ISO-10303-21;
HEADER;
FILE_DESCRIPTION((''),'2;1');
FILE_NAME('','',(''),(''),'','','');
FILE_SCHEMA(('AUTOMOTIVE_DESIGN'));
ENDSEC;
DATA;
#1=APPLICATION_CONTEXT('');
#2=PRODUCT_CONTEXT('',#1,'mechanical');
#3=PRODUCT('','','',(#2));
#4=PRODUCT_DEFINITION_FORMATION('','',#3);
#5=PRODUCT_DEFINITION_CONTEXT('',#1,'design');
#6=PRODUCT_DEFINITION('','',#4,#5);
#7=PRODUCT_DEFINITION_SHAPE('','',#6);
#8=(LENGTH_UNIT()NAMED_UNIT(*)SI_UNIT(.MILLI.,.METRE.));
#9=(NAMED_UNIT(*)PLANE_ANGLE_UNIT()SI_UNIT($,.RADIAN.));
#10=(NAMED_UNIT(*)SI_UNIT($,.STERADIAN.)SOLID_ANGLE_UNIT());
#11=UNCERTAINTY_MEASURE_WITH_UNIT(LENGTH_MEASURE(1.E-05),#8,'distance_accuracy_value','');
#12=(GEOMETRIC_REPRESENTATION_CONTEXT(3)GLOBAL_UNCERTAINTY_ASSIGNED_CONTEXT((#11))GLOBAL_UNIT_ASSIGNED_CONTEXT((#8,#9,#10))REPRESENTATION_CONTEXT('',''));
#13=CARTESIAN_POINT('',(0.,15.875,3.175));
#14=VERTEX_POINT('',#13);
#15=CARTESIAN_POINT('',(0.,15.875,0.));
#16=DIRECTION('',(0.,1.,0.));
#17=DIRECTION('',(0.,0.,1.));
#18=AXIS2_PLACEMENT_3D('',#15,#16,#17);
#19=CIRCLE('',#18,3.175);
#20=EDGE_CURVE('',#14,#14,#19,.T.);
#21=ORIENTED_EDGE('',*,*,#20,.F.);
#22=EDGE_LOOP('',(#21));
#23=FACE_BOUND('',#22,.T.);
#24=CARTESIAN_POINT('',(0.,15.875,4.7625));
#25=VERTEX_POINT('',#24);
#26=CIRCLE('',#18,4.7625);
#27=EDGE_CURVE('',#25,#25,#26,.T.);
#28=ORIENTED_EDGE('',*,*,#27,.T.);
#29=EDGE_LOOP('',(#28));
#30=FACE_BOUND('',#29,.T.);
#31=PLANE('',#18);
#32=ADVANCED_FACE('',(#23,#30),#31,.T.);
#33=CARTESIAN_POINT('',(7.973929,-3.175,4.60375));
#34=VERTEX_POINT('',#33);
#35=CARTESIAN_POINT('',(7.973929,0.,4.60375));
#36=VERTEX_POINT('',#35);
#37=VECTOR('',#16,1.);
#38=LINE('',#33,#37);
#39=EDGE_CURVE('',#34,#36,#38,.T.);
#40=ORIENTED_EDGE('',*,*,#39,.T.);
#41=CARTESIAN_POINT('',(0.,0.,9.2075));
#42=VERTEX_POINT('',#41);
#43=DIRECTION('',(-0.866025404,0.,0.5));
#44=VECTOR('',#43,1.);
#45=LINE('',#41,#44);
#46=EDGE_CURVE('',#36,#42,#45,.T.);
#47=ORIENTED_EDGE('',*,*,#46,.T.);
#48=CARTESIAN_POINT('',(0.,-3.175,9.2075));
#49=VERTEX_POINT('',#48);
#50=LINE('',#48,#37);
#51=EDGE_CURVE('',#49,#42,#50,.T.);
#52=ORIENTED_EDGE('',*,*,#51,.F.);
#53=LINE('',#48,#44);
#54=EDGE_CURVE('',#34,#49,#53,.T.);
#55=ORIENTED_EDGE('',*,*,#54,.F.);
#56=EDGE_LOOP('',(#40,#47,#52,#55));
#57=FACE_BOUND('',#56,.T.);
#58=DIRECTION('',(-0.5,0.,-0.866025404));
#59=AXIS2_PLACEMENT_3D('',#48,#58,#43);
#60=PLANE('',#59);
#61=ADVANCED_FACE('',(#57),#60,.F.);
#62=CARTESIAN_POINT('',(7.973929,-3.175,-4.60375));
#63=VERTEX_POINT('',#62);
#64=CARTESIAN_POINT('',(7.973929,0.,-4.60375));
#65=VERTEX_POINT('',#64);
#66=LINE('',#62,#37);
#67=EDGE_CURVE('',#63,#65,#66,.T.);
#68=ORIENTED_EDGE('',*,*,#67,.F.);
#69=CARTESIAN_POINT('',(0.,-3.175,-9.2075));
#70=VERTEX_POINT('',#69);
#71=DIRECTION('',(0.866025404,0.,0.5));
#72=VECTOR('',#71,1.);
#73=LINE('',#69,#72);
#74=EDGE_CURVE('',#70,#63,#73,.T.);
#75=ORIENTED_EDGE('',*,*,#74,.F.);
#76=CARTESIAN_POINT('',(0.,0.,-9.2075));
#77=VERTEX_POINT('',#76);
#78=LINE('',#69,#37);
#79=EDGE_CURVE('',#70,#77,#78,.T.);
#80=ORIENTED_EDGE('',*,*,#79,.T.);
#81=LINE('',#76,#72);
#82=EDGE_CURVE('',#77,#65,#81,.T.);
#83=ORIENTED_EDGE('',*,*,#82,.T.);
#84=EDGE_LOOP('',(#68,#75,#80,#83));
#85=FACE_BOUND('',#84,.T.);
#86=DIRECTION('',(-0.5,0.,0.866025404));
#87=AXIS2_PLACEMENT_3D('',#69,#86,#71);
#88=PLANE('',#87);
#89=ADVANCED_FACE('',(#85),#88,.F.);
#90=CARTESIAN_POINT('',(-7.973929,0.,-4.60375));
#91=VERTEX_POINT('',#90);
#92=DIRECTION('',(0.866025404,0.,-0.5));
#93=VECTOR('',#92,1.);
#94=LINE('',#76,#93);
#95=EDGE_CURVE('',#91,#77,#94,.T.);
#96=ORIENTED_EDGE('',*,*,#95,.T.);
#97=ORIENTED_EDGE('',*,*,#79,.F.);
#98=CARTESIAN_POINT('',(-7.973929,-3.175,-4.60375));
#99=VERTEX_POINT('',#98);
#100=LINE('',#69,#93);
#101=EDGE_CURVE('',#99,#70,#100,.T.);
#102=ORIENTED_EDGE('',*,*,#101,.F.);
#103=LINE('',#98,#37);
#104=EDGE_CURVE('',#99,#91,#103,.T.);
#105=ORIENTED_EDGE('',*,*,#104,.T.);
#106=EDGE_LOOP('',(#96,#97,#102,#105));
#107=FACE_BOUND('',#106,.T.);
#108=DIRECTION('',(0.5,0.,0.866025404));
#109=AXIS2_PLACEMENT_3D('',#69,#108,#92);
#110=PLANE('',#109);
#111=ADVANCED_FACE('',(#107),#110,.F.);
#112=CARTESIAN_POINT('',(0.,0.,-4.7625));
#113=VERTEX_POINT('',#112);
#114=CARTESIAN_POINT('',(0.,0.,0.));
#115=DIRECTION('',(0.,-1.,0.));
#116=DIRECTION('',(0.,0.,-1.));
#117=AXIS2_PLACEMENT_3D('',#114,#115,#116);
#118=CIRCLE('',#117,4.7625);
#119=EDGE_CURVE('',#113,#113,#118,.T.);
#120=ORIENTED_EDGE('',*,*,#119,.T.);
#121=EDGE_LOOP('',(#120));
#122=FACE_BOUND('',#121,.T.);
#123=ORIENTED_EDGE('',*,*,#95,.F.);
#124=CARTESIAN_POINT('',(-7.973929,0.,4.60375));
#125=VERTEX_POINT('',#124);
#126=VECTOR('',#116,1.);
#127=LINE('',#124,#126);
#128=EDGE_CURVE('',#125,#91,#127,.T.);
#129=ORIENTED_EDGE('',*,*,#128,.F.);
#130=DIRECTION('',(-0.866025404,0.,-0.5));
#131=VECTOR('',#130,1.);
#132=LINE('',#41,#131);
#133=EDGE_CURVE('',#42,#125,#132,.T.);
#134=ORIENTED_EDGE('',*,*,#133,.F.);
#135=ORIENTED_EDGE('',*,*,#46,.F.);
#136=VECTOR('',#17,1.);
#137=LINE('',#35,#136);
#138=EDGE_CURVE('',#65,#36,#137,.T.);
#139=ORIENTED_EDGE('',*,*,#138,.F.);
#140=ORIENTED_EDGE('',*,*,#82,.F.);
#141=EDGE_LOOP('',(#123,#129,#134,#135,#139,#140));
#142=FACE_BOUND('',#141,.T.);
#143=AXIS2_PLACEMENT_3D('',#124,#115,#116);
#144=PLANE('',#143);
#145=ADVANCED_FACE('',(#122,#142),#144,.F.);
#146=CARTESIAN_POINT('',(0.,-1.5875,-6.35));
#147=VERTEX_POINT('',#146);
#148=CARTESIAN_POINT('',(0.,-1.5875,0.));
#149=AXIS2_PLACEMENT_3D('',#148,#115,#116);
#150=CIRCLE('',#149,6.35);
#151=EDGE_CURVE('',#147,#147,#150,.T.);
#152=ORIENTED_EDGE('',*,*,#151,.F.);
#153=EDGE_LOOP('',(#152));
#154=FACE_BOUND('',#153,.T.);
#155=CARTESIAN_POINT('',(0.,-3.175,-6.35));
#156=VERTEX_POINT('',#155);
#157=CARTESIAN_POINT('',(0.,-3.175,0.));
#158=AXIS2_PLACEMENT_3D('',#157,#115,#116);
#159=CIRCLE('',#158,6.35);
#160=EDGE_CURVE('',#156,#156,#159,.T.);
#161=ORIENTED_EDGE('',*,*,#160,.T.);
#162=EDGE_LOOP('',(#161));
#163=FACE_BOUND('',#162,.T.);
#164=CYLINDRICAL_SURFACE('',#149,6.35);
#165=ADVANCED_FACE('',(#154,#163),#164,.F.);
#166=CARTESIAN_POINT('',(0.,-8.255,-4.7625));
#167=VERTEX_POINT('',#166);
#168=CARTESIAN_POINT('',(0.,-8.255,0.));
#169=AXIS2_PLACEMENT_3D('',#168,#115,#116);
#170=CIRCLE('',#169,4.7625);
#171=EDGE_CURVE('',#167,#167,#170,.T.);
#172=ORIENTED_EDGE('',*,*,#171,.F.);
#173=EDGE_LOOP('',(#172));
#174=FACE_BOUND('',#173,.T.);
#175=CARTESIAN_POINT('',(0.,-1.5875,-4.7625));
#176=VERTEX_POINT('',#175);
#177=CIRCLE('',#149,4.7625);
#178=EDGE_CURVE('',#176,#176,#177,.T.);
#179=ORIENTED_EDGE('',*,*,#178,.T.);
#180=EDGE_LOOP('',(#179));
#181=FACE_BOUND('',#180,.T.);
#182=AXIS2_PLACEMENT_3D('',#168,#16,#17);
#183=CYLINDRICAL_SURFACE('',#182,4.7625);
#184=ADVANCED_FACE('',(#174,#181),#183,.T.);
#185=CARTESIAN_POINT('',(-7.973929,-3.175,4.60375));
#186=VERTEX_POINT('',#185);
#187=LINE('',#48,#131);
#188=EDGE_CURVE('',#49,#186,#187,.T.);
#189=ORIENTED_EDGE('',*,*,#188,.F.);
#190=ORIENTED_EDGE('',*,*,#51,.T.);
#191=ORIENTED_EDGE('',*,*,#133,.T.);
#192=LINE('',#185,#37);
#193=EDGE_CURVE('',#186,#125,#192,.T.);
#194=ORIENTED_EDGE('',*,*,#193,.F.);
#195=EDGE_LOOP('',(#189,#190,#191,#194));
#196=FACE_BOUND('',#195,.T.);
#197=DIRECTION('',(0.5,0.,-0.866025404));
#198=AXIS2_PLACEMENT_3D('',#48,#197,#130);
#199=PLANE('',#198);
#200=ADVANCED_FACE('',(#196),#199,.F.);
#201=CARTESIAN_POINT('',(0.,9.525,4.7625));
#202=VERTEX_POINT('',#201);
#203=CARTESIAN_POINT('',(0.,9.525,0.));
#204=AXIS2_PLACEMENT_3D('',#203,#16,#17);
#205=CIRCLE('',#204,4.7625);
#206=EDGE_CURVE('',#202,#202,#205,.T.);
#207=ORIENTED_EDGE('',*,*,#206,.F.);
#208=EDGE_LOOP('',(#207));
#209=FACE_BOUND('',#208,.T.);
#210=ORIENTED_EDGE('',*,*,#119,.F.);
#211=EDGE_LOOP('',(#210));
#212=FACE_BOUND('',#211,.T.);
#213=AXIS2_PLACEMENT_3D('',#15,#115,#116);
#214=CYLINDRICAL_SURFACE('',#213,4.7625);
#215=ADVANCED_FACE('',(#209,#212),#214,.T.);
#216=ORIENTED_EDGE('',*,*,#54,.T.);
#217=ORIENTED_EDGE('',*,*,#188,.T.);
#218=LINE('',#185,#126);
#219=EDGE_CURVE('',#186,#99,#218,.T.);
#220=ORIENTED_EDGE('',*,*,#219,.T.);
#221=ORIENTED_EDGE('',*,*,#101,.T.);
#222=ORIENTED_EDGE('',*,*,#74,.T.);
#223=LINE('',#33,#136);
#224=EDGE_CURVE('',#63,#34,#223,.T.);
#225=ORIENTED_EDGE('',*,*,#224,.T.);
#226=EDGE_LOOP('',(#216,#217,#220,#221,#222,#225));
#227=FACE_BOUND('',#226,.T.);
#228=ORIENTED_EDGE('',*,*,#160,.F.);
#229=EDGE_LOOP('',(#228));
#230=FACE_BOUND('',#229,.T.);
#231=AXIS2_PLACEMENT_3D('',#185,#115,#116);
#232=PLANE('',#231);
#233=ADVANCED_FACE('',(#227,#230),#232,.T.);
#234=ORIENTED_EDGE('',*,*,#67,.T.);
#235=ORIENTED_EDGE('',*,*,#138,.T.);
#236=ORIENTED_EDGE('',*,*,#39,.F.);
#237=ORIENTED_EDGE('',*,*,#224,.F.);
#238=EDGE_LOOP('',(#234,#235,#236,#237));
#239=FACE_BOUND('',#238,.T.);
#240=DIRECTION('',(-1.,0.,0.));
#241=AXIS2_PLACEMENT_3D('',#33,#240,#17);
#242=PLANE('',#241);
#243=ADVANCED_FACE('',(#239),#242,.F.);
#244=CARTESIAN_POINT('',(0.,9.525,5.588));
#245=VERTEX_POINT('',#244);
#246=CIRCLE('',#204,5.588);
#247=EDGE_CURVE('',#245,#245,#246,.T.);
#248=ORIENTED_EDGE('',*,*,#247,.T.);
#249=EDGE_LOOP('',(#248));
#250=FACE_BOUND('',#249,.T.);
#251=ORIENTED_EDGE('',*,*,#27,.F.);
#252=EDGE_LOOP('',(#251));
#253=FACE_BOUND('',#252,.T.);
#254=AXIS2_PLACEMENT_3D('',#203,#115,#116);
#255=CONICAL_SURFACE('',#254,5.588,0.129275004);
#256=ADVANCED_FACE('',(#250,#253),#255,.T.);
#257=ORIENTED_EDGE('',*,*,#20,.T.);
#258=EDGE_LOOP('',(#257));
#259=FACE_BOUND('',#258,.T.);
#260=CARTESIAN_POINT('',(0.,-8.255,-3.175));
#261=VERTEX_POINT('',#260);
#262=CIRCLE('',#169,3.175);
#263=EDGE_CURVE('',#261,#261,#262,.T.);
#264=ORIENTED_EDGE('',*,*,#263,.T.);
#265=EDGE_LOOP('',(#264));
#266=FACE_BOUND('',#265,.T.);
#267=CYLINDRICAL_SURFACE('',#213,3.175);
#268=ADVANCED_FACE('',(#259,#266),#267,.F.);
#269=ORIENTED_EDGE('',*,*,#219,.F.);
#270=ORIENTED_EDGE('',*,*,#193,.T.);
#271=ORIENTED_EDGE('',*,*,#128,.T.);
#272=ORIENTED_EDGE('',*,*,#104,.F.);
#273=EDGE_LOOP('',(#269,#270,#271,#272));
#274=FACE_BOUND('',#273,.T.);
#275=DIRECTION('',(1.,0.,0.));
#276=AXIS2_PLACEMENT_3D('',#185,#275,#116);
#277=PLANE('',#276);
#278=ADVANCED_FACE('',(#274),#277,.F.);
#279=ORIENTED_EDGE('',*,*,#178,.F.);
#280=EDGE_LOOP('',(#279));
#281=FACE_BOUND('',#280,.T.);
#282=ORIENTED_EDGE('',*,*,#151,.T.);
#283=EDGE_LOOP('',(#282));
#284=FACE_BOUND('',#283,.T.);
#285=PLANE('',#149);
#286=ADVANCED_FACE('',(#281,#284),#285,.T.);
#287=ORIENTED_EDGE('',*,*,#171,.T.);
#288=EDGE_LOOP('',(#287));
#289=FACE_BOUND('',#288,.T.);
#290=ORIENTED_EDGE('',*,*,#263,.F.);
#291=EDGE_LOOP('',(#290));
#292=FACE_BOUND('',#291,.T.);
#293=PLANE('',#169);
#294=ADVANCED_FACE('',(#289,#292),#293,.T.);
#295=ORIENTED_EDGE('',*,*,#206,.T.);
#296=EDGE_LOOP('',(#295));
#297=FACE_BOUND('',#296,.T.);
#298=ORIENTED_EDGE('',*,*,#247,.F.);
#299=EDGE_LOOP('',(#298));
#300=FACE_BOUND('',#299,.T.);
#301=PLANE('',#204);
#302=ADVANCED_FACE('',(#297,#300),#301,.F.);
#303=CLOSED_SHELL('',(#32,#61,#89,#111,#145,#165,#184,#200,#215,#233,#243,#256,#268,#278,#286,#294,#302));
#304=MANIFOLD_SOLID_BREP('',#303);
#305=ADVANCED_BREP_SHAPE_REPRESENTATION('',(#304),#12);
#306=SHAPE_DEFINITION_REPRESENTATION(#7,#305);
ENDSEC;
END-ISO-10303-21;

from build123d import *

# Parameters (mm, degrees)
SKETCH1_R          = 4.7625
SKETCH1_R_2        = 3.175
EXTRUDE1_DEPTH     = 15.875
SKETCH2_R          = 3.175
EXTRUDE2_DEPTH     = 3.175
SKETCH3_R          = 4.7625
SKETCH3_R_2        = 3.175
EXTRUDE3_DEPTH     = 5.08
SKETCH4_R          = 6.35
SKETCH4_R_2        = 4.7625
CUT_EXTRUDE1_DEPTH = 1.5875
SKETCH5_R          = 5.588
SKETCH5_R_2        = 4.7625
EXTRUDE4_DEPTH     = 6.35


with BuildPart() as part:
    # Sketch1 → Extrude1 (new body)
    with BuildSketch(Plane(origin=(0, 0, 0), x_dir=(1, 0, 0), z_dir=(0, 1, 0))):
        Circle(SKETCH1_R)
        Circle(SKETCH1_R_2, mode=Mode.SUBTRACT)
    extrude(amount=EXTRUDE1_DEPTH)

    # Sketch2 → Extrude2 (add)
    with BuildSketch(Plane.XZ):
        Polygon((7.973928905, 4.60375), (7.973928905, -4.60375), (0, -9.2075), (-7.973928905, -4.60375), (-7.973928905, 4.60375), (0, 9.2075), align=None)
        Circle(SKETCH2_R, mode=Mode.SUBTRACT)
    extrude(amount=EXTRUDE2_DEPTH)

    # Sketch3 → Extrude3 (add)
    with BuildSketch(Plane.XZ.offset(3.175)):
        Circle(SKETCH3_R)
        Circle(SKETCH3_R_2, mode=Mode.SUBTRACT)
    extrude(amount=EXTRUDE3_DEPTH)

    # Sketch4 → Cut-Extrude1 (cut)
    with BuildSketch(Plane.XZ.offset(3.175)):
        Circle(SKETCH4_R)
        Circle(SKETCH4_R_2, mode=Mode.SUBTRACT)
    extrude(amount=-CUT_EXTRUDE1_DEPTH, mode=Mode.SUBTRACT)

    # Sketch5 → Extrude4 (add)
    with BuildSketch(Plane(origin=(0, 15.875, 0), x_dir=(-1, 0, 0), z_dir=(0, 1, 0))):
        Circle(SKETCH5_R)
        Circle(SKETCH5_R_2, mode=Mode.SUBTRACT)
    extrude(amount=-EXTRUDE4_DEPTH)

    # Sketch7 → Cut-Revolve1 (revolve, cut)
    with BuildSketch(Plane(origin=(0, 0, 0), x_dir=(0, 0, -1), z_dir=(1, 0, 0))):
        Polygon((-5.588, 9.525), (-4.7625, 15.875), (-5.588, 15.875), align=None)
    revolve(axis=Axis((0, 15.875, 0), (0, -1, 0)), mode=Mode.SUBTRACT)


solid = part.part
